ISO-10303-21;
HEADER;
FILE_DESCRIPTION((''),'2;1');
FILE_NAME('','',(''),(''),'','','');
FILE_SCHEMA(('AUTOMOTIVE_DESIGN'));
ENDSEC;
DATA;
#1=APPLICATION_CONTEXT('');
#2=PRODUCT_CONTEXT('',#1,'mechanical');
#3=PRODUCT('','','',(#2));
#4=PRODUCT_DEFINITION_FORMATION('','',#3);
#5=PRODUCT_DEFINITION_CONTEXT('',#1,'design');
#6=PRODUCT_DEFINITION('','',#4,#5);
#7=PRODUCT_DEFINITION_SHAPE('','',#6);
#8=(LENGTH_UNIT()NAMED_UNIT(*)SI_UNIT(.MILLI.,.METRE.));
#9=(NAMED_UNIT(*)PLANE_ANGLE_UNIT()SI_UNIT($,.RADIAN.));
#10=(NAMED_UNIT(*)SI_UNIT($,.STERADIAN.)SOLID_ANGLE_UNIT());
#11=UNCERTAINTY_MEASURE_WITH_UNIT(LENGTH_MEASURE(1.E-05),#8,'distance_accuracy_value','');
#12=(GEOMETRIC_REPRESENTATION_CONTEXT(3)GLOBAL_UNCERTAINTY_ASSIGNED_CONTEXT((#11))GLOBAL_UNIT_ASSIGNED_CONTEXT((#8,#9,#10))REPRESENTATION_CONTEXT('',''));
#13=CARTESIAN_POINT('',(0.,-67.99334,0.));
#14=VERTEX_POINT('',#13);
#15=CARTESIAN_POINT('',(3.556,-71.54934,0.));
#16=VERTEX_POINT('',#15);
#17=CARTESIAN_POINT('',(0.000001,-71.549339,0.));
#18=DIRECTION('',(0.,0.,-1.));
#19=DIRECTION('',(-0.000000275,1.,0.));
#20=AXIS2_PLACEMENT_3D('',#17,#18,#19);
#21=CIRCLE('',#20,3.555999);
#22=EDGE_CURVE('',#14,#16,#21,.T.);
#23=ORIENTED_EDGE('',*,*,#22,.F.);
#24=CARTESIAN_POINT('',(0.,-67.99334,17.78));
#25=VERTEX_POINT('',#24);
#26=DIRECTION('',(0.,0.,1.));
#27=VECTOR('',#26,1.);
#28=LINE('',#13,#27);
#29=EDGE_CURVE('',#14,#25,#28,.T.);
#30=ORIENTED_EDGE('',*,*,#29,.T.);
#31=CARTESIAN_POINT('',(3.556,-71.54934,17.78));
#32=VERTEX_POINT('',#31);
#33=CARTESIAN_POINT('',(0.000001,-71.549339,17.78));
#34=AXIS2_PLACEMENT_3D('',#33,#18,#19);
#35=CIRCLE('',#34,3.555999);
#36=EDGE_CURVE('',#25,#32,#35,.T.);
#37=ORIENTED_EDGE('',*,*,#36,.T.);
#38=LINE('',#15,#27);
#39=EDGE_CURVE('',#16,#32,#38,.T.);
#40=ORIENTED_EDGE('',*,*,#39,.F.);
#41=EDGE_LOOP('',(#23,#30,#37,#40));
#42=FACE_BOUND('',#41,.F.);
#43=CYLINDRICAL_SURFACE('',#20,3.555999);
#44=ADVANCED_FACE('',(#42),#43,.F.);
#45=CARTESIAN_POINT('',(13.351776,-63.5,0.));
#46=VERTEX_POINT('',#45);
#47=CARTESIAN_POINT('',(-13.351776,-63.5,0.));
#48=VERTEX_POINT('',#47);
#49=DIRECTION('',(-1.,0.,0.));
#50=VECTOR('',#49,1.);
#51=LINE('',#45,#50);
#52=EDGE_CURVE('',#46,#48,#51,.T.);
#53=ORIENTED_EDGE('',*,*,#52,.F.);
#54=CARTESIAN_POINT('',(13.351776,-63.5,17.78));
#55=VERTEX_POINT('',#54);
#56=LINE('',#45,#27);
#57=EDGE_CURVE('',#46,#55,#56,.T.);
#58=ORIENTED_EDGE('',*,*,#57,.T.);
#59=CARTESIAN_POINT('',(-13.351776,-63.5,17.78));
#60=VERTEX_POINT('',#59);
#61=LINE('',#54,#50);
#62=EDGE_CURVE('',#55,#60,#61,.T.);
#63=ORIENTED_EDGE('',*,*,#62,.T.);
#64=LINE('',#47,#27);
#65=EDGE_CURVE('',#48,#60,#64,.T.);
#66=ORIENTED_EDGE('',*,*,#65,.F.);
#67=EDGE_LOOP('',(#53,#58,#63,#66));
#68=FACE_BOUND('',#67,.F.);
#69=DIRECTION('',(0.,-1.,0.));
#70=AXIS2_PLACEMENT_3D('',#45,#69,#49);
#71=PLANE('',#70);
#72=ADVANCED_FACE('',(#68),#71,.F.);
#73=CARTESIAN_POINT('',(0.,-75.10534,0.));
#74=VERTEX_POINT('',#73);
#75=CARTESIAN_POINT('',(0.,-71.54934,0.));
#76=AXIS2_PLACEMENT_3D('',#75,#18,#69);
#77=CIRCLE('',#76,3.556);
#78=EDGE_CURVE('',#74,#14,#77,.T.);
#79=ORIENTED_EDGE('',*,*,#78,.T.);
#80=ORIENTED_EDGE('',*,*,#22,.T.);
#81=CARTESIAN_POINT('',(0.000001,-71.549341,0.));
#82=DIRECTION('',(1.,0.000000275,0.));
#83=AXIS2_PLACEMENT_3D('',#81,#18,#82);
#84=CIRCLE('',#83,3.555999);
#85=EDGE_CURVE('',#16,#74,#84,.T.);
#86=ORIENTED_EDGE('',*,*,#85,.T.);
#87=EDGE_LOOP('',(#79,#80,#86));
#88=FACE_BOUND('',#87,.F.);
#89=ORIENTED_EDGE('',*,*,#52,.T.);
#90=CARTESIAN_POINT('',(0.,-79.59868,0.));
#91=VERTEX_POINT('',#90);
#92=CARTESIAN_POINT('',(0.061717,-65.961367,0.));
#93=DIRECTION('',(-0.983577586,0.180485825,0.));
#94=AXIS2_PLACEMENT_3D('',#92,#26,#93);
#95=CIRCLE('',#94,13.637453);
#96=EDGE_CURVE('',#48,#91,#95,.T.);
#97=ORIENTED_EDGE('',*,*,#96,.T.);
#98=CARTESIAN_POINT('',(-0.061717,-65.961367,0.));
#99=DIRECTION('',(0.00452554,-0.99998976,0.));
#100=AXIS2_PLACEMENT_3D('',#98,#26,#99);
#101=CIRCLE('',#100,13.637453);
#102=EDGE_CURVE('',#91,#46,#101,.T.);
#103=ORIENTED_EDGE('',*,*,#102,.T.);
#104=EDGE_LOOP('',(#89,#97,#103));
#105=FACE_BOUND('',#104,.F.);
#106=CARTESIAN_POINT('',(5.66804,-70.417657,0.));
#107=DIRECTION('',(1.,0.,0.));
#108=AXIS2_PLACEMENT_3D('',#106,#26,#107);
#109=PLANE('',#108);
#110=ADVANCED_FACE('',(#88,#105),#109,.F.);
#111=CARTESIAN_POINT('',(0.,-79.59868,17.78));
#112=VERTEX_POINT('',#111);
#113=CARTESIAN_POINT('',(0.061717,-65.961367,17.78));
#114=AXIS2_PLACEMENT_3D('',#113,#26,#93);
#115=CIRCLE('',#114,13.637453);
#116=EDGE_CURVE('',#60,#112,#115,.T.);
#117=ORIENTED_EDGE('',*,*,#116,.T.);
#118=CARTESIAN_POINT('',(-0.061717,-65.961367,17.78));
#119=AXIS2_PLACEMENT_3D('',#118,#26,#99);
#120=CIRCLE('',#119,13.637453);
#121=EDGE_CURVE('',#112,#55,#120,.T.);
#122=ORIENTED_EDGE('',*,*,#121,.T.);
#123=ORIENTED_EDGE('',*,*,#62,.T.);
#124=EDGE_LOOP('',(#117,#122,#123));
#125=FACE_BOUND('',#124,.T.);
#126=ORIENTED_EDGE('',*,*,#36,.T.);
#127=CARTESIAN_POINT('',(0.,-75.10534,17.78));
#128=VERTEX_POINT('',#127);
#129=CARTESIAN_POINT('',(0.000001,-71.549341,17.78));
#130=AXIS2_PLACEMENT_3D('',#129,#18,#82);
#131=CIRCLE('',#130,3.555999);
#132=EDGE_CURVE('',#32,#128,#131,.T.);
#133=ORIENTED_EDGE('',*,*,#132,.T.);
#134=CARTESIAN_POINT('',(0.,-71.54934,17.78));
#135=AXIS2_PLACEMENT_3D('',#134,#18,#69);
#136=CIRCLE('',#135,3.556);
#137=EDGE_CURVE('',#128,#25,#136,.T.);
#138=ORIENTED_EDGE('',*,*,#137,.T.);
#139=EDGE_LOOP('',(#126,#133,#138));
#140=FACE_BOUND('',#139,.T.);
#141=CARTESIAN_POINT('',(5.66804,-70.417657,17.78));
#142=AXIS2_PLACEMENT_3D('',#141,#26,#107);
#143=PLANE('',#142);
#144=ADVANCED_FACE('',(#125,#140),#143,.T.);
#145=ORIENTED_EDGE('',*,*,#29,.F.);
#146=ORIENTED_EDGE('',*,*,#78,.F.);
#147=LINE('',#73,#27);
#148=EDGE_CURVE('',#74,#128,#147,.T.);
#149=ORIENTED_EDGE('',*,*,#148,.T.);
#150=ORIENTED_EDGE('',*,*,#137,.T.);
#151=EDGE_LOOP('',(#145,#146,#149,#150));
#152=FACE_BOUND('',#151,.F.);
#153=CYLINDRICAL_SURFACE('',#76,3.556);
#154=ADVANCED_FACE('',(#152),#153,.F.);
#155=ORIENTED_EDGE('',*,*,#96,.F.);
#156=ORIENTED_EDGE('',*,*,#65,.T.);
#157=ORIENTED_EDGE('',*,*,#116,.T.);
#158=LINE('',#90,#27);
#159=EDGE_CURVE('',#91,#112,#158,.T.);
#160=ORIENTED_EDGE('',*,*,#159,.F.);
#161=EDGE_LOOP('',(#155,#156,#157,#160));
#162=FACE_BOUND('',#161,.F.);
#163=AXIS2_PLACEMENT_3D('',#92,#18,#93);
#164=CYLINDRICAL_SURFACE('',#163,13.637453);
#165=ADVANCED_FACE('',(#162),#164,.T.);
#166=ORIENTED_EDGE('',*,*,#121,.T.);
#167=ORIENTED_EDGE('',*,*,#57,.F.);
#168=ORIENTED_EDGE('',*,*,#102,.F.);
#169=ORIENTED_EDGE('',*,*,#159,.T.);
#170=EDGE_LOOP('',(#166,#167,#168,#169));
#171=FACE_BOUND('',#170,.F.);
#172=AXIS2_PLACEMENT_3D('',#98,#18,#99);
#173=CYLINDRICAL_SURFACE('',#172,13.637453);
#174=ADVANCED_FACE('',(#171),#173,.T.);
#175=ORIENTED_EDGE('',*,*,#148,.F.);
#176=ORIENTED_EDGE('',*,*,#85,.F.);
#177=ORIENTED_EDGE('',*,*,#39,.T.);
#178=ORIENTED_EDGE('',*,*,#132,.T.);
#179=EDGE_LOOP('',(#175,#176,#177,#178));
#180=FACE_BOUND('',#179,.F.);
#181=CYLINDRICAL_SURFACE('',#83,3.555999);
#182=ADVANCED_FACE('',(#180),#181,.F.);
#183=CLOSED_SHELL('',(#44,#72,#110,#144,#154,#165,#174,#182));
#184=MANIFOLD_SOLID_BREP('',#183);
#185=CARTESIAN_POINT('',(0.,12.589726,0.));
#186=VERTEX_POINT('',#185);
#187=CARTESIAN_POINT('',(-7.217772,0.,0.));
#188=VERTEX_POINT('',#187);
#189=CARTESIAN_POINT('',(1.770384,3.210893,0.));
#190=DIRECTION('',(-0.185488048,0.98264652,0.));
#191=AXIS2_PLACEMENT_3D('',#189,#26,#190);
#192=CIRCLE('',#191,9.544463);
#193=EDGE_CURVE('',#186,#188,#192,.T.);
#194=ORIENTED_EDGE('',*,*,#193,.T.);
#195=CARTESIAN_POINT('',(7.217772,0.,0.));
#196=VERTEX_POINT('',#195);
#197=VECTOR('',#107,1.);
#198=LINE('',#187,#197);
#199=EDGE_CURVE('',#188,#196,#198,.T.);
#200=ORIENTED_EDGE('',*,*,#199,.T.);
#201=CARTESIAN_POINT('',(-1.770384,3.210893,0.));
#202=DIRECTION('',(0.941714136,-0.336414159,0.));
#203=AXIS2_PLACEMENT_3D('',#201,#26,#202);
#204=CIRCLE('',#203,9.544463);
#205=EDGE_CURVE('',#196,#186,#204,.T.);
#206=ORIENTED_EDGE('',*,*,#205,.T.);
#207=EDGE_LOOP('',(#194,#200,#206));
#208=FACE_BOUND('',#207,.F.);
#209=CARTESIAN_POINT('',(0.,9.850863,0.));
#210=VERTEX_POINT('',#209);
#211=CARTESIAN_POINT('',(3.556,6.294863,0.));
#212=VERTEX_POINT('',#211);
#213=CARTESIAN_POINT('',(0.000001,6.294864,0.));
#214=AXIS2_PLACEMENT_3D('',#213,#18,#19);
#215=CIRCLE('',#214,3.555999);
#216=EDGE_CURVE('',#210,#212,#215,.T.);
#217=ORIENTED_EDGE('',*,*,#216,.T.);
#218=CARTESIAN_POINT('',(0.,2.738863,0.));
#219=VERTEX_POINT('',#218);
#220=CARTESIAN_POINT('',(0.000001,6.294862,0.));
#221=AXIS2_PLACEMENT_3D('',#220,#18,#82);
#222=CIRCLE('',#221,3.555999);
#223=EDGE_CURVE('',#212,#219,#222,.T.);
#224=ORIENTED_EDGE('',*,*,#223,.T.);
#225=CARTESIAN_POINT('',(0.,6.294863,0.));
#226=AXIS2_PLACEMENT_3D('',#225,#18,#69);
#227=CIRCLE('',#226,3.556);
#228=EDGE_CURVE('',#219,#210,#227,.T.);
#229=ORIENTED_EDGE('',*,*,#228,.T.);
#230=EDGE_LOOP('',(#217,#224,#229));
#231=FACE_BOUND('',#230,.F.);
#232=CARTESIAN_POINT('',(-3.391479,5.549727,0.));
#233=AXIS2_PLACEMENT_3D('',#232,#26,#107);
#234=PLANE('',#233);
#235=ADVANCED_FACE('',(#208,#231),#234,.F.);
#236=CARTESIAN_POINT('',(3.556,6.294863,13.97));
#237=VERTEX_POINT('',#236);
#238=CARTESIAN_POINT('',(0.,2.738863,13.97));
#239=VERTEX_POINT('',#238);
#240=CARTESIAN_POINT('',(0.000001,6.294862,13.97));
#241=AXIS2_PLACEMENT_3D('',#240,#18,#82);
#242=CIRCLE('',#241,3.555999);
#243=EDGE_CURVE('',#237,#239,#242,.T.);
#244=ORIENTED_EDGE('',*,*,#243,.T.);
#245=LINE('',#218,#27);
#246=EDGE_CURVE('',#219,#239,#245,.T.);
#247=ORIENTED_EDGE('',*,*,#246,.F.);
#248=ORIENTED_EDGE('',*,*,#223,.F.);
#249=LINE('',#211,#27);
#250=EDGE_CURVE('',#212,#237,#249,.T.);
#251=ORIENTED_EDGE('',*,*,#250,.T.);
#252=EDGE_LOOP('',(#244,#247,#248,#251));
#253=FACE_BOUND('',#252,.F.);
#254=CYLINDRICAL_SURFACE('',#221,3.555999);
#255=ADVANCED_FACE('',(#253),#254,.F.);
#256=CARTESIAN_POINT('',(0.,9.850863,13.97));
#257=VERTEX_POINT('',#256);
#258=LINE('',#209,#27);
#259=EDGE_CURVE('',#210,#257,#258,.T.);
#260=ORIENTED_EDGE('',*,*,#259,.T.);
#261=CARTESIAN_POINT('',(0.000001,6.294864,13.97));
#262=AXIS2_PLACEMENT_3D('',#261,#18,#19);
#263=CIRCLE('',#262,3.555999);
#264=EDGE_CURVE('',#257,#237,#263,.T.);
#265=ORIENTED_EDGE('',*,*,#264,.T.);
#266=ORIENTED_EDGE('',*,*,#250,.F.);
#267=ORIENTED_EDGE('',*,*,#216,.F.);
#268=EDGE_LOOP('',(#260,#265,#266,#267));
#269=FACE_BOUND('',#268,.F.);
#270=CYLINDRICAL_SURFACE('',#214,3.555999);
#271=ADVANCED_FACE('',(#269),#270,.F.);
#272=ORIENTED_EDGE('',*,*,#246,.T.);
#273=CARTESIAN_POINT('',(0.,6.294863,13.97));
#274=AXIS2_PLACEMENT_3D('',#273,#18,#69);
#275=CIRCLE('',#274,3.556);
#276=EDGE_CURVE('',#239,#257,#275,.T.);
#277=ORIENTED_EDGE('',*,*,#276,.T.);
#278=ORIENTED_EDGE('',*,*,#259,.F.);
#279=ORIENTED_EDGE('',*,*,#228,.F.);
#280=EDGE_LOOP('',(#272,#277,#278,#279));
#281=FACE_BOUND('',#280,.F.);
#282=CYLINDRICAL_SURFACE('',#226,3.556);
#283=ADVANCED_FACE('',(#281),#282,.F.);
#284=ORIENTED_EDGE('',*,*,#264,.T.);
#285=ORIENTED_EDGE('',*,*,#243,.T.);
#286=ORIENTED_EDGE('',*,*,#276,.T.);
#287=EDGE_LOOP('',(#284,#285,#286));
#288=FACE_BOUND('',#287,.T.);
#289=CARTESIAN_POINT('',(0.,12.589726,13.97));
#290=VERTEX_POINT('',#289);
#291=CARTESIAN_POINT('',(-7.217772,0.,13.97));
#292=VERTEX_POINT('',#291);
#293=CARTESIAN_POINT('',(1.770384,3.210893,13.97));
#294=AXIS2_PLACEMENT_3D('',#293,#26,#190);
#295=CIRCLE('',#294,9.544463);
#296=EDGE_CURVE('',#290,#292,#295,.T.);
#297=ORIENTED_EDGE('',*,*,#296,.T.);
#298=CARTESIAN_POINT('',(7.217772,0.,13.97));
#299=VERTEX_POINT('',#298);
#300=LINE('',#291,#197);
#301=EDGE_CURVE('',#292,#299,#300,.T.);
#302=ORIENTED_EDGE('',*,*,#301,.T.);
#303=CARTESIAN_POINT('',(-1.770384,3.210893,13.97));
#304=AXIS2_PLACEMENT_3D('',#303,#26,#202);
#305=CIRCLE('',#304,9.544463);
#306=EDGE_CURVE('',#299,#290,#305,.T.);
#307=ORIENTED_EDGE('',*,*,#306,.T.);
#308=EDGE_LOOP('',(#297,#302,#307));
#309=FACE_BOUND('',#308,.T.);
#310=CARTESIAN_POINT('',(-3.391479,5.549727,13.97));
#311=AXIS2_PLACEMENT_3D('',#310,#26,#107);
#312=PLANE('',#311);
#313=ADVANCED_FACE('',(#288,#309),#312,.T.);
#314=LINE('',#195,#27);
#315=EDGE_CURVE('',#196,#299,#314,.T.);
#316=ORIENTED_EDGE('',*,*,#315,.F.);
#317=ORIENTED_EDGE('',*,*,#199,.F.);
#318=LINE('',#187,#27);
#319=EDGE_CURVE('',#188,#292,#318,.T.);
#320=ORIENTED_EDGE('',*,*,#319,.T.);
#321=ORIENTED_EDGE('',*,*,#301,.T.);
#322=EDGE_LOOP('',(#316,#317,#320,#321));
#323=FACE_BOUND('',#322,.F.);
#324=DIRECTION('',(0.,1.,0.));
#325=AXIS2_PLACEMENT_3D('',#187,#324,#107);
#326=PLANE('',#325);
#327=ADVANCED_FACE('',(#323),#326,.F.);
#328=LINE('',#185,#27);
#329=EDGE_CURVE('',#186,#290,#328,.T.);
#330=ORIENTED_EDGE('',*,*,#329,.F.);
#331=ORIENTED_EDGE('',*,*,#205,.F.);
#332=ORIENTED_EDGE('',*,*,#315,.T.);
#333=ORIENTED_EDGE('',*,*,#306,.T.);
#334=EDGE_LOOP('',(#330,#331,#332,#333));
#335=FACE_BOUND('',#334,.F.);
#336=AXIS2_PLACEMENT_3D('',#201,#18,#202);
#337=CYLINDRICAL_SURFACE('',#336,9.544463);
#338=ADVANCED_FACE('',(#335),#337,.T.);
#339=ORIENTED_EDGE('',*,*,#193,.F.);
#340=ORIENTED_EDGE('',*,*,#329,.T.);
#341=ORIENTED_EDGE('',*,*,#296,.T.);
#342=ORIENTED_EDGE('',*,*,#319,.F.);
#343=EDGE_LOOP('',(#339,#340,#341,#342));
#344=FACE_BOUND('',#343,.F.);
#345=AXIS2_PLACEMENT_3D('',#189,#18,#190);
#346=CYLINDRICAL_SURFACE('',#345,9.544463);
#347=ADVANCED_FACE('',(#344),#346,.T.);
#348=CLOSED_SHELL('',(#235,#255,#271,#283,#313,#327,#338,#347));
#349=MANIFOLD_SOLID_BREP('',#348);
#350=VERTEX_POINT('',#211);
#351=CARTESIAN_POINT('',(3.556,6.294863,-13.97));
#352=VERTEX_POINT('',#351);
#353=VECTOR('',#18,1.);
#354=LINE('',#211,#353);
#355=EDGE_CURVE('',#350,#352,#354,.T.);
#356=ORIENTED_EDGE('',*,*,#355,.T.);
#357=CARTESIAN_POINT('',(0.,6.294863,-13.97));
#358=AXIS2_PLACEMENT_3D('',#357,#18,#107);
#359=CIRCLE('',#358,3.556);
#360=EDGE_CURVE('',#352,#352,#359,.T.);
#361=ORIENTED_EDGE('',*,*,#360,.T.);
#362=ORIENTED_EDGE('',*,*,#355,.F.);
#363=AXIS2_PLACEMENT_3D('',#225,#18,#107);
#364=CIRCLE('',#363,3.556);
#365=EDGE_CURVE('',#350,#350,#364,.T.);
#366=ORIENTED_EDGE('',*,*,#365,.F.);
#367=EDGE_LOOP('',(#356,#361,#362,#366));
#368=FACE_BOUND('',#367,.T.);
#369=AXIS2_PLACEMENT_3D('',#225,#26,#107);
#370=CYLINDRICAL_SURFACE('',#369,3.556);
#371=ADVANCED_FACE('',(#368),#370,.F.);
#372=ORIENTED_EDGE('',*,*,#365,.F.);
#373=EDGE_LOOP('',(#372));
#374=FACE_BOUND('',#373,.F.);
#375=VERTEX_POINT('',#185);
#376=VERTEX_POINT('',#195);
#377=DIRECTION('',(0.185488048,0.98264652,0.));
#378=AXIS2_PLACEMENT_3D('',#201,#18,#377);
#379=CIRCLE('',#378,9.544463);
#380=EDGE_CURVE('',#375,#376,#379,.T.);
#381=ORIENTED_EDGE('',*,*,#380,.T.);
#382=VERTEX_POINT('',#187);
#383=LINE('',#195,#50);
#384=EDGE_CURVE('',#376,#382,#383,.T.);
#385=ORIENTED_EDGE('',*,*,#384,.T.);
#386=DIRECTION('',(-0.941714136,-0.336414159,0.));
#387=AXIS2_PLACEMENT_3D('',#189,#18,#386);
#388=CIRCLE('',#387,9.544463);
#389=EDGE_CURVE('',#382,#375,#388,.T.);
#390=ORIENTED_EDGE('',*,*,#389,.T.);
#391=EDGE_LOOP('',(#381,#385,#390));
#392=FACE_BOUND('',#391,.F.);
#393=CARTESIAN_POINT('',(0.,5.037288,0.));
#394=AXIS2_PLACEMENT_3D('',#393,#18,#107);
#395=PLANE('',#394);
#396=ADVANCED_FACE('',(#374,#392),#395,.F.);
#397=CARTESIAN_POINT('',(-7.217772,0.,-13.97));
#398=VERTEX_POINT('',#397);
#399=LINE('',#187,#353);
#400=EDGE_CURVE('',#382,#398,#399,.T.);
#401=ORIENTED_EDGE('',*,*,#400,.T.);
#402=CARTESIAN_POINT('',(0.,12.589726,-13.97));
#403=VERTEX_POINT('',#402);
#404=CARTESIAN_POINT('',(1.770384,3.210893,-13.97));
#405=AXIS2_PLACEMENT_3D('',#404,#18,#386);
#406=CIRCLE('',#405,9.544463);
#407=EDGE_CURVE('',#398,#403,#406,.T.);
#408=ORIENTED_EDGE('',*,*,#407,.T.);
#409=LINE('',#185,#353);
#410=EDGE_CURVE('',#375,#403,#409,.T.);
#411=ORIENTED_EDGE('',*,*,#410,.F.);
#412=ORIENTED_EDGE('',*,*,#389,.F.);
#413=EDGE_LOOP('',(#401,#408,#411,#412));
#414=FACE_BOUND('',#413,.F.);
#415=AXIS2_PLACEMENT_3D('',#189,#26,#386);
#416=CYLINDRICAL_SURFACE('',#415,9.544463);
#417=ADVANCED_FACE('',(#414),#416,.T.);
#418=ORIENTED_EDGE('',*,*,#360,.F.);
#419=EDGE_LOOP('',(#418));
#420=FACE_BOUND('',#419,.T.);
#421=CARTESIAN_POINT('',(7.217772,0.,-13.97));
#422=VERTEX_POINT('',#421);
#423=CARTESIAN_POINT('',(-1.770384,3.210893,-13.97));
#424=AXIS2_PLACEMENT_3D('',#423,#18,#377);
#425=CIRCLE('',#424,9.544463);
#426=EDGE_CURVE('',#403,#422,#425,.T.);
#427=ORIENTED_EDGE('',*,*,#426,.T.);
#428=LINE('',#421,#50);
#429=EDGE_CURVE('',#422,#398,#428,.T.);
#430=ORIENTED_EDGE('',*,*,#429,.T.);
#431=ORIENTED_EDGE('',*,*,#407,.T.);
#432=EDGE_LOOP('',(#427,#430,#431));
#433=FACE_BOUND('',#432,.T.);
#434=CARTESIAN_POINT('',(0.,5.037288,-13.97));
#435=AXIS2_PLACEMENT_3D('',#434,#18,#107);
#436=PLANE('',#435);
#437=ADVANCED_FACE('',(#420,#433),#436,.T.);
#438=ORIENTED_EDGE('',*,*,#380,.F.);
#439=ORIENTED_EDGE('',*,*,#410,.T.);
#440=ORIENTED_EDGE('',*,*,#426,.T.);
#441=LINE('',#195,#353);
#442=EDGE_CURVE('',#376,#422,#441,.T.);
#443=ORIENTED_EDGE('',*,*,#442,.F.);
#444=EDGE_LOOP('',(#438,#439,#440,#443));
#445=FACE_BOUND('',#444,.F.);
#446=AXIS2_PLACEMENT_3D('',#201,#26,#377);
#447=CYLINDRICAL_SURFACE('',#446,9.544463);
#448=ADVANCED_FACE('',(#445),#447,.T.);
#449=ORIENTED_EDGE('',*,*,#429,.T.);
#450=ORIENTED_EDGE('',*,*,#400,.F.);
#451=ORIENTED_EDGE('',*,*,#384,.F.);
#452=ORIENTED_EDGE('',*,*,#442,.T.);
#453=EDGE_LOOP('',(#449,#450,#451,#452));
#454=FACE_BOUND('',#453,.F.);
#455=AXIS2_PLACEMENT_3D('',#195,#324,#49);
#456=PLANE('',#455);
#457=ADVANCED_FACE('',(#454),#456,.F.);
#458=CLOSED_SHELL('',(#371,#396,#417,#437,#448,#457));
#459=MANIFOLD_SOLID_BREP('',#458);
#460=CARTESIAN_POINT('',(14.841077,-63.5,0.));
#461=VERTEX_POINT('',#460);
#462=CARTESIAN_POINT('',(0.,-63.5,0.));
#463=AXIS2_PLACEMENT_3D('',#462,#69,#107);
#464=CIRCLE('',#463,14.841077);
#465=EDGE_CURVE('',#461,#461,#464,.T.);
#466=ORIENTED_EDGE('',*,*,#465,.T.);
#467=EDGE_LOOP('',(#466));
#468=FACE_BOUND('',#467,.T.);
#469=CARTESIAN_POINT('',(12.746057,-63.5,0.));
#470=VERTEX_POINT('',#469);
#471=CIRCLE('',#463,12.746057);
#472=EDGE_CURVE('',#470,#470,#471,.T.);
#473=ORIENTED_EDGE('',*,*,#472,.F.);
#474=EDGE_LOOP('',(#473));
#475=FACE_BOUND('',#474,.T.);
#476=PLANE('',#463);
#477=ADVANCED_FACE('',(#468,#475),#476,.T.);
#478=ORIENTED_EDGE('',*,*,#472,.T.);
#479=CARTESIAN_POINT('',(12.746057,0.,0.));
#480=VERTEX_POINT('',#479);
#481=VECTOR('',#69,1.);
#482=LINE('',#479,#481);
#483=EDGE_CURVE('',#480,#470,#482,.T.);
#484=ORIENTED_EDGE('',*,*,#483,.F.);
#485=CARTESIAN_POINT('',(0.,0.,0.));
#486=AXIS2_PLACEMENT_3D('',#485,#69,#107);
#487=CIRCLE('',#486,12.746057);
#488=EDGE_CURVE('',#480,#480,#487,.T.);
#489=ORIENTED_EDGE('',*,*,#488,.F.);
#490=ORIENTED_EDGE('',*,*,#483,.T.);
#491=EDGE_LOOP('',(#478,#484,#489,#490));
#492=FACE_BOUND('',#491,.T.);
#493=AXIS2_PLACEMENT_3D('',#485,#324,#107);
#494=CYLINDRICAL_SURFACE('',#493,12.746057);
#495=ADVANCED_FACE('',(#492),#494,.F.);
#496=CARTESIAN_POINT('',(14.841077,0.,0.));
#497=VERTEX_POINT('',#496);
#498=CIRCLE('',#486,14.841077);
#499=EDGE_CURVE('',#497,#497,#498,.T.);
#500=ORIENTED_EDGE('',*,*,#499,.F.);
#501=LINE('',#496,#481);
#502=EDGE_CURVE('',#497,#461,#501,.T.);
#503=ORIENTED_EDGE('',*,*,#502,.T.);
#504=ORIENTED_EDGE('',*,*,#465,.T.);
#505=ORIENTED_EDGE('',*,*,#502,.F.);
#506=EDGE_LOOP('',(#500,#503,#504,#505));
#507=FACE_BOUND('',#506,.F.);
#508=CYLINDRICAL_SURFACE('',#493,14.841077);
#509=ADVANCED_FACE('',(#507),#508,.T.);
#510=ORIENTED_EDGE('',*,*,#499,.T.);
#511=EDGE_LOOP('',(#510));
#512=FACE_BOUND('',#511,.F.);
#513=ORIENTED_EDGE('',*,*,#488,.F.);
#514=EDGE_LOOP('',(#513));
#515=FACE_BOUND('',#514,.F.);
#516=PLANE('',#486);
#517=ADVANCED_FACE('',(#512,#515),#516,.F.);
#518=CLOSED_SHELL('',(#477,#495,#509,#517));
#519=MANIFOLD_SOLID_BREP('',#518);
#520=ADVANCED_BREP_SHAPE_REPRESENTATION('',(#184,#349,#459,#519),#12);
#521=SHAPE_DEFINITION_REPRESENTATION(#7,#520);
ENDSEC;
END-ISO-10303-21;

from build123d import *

# Parameters (mm, degrees)
F0_R      = 14.841077
F0_R_2    = 12.746057
F1_DEPTH  = 63.5
F3_DEPTH  = 13.97
F3_FACE_R = 3.556
F4_DEPTH  = 13.97
F5_DEPTH  = 17.78


with BuildPart() as f1:
    # F0 (on Front) → F1 (new body)
    with BuildSketch(Plane.XZ):
        Circle(F0_R)
        Circle(F0_R_2, mode=Mode.SUBTRACT)
    extrude(amount=F1_DEPTH)


with BuildPart() as f3:
    # F2 (on Top) → F3 (new body)
    with BuildSketch(Plane.XY):
        with BuildLine():
            Line((0, 9.850863), (0, 12.589726))
            ThreePointArc((0, 12.589726), (-6.509824, 7.95799), (-7.217772, 0))
            Line((-7.217772, 0), (0, 0))
            Line((0, 0), (0, 2.738863))
            ThreePointArc((0, 2.738863), (-3.556, 6.294863), (0, 9.850863))
        make_face()
        with BuildLine():
            ThreePointArc((7.217772, 0), (6.509824, 7.95799), (0, 12.589726))
            Line((0, 12.589726), (0, 9.850863))
            ThreePointArc((0, 9.850863), (2.514472, 8.809335), (3.556, 6.294863))
            ThreePointArc((3.556, 6.294863), (2.514472, 3.780391), (0, 2.738863))
            Line((0, 2.738863), (0, 0))
            Line((0, 0), (7.217772, 0))
        make_face()
    extrude(amount=F3_DEPTH)


with BuildPart() as f4:
    # F3_face (on face) → F4 (new body)
    with BuildSketch(Plane(origin=(0, 5.070531, 0), x_dir=(1, 0, 0), z_dir=(0, 0, -1))):
        with BuildLine():
            ThreePointArc((-7.217772, 5.070531), (-6.509824, -2.887459), (0, -7.519195))
            ThreePointArc((0, -7.519195), (6.509824, -2.887459), (7.217772, 5.070531))
            Line((7.217772, 5.070531), (-7.217772, 5.070531))
        make_face()
        with Locations((0, -1.224332)):
            Circle(F3_FACE_R, mode=Mode.SUBTRACT)
    extrude(amount=F4_DEPTH)


with BuildPart() as f5:
    # F2 (on Top) → F5 (new body)
    with BuildSketch(Plane.XY):
        with BuildLine():
            Line((13.351776, -63.5), (0, -63.5))
            Line((0, -63.5), (0, -67.99334))
            ThreePointArc((0, -67.99334), (2.514472, -69.034868), (3.556, -71.54934))
            ThreePointArc((3.556, -71.54934), (2.514472, -74.063812), (0, -75.10534))
            Line((0, -75.10534), (0, -79.59868))
            ThreePointArc((0, -79.59868), (10.435292, -74.66728), (13.351776, -63.5))
        make_face()
        with BuildLine():
            Line((0, -67.99334), (0, -63.5))
            Line((0, -63.5), (-13.351776, -63.5))
            ThreePointArc((-13.351776, -63.5), (-10.435292, -74.66728), (0, -79.59868))
            Line((0, -79.59868), (0, -75.10534))
            ThreePointArc((0, -75.10534), (-3.556, -71.54934), (0, -67.99334))
        make_face()
    extrude(amount=F5_DEPTH)


solid = Compound([f1.part, f3.part, f4.part, f5.part])
